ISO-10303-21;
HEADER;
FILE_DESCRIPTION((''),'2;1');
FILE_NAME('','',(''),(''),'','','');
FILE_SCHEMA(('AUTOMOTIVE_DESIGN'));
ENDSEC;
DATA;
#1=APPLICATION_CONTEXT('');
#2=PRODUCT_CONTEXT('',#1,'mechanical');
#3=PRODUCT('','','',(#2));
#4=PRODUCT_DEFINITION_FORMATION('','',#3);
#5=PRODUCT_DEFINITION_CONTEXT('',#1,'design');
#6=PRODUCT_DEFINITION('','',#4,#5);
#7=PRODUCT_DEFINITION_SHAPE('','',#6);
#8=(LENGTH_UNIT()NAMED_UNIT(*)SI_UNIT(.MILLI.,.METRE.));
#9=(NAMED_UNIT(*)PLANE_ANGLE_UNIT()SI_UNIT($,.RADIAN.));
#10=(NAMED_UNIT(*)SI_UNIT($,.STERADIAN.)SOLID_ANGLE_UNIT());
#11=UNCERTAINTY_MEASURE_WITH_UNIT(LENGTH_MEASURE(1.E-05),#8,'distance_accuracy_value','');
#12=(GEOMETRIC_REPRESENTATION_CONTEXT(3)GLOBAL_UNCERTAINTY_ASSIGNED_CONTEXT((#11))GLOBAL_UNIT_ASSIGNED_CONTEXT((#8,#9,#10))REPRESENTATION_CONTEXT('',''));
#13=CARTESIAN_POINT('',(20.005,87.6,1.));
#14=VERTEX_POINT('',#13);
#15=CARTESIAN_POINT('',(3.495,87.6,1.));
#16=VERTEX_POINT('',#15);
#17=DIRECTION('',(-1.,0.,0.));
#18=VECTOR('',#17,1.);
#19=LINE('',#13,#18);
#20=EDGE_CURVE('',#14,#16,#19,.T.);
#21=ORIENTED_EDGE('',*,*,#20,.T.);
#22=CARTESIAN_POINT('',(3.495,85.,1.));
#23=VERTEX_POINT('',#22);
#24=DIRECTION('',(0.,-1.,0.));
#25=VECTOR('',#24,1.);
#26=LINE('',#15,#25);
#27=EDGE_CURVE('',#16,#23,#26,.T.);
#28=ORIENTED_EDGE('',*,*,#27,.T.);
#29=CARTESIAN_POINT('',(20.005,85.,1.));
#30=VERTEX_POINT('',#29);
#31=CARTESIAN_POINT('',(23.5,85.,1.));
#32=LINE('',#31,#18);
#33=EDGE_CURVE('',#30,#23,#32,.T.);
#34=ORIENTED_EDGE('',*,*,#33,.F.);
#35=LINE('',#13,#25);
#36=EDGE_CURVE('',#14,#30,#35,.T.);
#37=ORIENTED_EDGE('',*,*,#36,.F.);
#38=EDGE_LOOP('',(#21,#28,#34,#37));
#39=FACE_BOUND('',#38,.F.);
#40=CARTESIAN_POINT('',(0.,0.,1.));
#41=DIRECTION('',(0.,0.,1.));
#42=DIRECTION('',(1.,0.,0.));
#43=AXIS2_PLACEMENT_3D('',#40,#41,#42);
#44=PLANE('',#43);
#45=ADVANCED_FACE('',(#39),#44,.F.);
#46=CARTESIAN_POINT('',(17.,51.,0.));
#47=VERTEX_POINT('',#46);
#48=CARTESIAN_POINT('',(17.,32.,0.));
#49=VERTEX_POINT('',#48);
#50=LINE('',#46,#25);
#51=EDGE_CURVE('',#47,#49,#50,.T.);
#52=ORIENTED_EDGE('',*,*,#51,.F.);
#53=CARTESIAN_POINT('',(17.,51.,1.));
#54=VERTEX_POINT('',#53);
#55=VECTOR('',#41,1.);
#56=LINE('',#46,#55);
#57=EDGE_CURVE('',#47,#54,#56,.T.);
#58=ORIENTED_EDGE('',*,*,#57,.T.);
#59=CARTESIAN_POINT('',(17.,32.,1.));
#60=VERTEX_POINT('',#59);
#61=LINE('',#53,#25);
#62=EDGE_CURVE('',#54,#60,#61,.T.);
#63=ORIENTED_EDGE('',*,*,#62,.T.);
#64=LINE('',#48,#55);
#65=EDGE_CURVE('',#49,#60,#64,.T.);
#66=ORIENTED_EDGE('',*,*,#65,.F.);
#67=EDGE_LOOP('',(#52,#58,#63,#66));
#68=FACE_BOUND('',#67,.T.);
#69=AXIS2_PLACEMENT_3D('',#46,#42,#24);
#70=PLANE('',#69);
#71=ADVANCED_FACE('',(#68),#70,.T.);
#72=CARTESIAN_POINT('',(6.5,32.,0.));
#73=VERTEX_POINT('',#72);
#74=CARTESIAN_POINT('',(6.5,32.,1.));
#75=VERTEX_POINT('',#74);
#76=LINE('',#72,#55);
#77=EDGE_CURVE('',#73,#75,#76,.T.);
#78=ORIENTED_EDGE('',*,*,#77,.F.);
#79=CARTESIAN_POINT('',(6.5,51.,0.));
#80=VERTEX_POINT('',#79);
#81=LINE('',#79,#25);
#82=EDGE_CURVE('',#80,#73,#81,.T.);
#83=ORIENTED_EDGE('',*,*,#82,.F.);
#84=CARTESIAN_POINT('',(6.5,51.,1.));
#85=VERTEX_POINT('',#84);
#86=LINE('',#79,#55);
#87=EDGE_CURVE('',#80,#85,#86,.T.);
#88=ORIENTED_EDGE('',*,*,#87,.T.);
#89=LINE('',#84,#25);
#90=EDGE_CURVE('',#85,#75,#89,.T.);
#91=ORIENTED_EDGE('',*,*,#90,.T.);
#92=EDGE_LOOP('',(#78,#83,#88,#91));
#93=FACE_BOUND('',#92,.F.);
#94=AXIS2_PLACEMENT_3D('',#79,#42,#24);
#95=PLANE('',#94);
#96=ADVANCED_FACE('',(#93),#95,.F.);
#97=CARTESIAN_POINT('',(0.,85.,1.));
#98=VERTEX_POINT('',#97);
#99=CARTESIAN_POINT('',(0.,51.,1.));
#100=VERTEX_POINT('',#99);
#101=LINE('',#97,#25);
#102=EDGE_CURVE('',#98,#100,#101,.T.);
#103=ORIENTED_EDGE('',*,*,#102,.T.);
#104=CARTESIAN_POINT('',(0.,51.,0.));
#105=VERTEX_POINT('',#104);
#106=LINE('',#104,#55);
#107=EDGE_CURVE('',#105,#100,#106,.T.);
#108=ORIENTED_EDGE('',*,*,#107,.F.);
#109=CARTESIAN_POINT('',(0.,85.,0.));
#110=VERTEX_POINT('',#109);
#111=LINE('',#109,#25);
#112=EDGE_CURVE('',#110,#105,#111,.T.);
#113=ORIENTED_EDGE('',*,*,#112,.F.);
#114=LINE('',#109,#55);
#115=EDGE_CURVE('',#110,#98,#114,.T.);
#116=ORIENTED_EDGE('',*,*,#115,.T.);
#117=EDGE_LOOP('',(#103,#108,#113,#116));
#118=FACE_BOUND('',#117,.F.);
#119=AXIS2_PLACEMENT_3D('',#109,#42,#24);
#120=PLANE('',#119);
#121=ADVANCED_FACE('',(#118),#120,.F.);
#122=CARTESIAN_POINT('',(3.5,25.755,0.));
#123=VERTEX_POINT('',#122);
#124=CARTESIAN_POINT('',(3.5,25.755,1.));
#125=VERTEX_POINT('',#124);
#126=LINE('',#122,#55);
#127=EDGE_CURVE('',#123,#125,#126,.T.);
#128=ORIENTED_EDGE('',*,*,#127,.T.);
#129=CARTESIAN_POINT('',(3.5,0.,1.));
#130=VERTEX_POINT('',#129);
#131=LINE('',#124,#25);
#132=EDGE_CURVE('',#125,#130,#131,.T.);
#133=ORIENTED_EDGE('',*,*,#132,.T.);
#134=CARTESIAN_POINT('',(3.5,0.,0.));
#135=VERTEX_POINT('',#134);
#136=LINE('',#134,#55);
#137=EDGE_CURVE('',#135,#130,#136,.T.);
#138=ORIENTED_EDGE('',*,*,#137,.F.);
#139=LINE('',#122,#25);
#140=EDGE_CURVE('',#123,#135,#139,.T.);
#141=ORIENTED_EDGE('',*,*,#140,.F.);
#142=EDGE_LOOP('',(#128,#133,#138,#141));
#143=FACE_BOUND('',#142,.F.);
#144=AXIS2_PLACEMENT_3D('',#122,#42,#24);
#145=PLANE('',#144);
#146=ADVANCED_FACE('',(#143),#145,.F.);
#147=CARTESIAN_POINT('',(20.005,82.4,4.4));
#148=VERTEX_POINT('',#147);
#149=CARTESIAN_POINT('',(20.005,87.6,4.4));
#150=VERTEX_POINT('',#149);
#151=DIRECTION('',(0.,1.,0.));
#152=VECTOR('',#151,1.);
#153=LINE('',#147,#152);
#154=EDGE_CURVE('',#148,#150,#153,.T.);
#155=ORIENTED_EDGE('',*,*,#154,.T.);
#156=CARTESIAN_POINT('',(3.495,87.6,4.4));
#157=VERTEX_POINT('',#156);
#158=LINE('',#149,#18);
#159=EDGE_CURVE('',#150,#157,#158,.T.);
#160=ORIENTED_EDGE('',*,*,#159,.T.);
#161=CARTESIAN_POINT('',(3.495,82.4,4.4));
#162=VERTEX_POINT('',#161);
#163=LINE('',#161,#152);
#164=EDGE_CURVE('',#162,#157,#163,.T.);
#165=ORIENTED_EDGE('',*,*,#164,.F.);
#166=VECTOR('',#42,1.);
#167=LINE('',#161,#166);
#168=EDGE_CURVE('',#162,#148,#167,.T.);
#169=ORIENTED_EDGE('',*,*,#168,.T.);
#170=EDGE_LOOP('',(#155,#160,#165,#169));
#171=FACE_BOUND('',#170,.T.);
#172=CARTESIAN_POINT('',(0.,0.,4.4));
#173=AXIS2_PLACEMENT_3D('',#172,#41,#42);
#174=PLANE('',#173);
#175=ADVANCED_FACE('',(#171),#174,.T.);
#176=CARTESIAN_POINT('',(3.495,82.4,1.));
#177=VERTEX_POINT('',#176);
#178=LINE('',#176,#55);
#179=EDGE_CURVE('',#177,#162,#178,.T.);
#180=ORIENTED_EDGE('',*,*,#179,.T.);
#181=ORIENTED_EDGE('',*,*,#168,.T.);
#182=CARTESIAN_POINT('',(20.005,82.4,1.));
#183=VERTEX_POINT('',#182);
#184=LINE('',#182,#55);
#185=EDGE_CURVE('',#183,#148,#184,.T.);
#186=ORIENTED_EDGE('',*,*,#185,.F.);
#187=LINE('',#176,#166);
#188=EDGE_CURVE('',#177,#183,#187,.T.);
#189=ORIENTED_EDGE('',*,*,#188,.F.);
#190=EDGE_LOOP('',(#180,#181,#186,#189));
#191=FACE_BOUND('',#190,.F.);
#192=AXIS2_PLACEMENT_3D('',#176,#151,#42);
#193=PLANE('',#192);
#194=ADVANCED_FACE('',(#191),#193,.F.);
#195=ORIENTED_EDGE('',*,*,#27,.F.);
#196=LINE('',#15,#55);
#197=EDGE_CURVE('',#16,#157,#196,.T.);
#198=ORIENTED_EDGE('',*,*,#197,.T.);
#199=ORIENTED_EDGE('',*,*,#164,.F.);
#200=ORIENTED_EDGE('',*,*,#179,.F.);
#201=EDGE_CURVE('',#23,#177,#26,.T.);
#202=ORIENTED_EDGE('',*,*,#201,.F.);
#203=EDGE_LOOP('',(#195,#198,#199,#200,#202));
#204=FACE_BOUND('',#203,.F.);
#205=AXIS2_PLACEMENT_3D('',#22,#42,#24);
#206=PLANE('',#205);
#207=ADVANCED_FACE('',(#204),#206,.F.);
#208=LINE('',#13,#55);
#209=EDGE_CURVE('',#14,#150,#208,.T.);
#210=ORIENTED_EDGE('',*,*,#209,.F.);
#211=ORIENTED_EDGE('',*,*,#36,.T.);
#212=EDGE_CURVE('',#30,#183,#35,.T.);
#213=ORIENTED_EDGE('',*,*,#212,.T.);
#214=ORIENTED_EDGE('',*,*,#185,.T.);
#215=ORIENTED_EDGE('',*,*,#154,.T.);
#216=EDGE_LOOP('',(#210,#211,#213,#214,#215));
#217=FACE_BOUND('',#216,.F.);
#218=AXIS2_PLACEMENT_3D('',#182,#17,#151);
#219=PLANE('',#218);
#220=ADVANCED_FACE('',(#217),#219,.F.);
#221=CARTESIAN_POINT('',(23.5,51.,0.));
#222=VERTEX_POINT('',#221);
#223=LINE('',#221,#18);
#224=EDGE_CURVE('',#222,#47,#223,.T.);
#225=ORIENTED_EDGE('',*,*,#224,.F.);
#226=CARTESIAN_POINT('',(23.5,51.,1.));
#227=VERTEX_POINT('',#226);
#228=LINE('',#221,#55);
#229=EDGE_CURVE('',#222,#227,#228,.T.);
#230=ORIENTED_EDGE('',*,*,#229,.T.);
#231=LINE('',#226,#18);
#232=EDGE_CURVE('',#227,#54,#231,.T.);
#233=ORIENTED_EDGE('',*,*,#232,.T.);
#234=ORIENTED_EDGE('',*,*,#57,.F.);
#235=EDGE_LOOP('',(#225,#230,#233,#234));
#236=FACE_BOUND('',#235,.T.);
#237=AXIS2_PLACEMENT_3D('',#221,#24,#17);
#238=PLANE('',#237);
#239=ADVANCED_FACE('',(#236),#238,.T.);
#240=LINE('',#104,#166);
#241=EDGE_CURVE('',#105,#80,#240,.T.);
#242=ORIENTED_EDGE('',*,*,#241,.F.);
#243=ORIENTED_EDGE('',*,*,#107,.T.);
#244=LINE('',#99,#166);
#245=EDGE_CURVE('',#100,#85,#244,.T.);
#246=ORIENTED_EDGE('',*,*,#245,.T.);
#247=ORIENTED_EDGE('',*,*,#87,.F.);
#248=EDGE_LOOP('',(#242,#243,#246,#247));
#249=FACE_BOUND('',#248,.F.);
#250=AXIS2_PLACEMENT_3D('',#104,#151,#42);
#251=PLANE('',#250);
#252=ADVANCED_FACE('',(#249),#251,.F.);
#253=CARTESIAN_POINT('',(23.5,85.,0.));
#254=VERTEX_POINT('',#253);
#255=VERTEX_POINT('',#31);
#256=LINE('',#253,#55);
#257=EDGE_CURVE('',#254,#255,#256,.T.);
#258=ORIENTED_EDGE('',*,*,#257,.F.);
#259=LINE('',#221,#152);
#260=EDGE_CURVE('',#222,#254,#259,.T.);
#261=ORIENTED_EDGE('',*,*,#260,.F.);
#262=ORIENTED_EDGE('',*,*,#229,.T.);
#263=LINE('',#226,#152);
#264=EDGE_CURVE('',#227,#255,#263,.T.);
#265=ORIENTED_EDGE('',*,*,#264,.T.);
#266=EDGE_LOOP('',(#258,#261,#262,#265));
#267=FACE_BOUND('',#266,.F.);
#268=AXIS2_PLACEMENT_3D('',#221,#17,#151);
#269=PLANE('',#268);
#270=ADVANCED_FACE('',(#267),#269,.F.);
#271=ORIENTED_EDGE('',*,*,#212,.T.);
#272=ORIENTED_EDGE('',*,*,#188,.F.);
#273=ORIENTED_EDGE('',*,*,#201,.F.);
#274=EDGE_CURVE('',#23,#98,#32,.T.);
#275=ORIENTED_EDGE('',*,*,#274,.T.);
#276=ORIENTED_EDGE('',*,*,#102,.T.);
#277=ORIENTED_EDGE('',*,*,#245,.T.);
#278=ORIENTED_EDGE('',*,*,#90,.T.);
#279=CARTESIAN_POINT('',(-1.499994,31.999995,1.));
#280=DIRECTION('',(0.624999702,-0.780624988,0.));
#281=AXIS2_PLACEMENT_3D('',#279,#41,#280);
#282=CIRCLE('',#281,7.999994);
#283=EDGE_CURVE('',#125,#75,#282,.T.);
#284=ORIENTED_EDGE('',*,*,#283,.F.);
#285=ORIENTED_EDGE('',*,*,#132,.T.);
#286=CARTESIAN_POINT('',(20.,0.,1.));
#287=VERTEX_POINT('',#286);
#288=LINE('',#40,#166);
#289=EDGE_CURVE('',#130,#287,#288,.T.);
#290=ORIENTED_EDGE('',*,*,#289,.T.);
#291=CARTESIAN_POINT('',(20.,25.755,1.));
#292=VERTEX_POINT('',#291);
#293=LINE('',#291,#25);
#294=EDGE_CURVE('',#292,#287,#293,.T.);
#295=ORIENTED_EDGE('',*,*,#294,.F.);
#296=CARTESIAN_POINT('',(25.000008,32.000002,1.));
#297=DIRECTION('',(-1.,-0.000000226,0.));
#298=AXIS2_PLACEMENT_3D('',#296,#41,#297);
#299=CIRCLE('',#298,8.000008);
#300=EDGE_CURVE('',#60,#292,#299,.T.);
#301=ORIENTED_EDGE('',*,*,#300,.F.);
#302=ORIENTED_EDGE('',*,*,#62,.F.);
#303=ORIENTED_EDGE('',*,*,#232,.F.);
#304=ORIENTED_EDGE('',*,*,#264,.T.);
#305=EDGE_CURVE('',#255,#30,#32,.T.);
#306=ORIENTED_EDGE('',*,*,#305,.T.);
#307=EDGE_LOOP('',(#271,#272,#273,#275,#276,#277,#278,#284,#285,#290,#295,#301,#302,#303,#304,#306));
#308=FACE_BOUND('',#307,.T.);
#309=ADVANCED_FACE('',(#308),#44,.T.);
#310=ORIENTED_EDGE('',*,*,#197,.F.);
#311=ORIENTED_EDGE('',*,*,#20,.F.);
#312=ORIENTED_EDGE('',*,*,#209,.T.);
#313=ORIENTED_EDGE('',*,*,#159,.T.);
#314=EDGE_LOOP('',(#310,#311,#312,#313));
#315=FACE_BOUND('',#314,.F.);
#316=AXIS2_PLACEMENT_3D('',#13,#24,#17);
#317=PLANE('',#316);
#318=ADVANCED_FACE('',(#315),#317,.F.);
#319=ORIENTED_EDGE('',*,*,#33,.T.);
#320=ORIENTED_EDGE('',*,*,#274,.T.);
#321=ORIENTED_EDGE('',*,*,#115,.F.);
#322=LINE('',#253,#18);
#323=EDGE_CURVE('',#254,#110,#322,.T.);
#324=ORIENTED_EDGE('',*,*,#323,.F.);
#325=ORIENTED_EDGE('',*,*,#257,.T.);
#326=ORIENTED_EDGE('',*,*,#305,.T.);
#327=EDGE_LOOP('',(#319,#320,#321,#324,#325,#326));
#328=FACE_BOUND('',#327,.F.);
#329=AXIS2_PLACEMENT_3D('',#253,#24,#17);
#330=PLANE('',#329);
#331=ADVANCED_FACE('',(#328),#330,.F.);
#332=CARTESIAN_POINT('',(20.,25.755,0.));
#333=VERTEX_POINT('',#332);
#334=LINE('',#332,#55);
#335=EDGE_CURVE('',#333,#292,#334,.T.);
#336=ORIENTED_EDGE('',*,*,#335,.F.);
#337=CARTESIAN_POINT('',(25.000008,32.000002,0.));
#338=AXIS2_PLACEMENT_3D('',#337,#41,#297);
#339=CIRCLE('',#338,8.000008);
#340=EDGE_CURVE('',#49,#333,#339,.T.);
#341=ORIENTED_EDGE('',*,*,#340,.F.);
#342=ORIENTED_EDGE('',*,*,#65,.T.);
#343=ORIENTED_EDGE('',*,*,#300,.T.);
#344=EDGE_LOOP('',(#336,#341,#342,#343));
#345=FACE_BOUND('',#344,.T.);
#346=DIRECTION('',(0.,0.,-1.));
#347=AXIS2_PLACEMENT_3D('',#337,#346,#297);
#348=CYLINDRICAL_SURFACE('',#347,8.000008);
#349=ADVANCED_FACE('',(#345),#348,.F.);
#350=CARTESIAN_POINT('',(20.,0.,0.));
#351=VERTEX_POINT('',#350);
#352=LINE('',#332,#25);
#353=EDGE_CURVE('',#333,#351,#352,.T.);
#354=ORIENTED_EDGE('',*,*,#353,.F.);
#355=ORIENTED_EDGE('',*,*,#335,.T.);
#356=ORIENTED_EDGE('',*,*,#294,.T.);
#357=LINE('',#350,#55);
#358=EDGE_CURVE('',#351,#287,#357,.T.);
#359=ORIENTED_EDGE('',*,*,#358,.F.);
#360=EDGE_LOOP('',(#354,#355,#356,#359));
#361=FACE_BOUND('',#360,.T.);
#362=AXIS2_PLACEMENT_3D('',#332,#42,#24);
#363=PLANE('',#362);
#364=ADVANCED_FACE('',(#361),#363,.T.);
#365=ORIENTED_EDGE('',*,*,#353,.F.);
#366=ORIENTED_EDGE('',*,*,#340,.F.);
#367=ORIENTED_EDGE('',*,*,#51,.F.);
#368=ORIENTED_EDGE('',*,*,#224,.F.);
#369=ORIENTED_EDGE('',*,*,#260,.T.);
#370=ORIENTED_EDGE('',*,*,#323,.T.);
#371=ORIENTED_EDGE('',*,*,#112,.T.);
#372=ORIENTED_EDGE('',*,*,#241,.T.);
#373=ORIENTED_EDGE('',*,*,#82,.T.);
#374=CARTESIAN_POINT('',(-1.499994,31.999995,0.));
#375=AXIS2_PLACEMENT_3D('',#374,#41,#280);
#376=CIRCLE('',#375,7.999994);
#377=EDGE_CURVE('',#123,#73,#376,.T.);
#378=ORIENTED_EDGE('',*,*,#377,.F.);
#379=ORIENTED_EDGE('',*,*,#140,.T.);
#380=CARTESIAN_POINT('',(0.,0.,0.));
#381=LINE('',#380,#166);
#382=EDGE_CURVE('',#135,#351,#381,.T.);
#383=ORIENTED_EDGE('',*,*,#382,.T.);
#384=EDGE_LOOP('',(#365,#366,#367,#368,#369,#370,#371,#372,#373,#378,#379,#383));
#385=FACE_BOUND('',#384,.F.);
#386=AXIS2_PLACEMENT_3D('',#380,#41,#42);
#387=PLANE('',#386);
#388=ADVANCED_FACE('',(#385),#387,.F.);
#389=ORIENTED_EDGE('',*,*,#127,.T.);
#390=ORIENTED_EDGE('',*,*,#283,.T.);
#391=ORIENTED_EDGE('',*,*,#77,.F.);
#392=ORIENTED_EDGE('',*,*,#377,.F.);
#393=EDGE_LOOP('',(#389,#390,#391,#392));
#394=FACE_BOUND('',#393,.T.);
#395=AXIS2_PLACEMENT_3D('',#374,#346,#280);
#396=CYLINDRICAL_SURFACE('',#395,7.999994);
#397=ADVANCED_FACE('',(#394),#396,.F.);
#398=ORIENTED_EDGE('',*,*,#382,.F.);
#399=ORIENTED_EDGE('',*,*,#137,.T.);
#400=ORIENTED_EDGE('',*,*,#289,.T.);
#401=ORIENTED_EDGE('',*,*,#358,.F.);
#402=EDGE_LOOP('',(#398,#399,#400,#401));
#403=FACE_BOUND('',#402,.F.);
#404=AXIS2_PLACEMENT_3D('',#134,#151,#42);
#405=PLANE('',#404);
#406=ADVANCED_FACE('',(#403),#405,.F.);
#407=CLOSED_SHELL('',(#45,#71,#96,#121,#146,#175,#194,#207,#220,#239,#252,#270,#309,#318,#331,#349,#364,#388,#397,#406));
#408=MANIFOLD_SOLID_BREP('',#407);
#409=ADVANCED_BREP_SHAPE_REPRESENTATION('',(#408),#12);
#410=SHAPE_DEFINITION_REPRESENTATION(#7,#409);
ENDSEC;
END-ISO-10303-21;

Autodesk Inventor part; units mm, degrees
ref_plane "YZ Plane" through (0, 0, 0) normal (1, 0, 0) x (0, 1, 0)
ref_plane "XZ Plane" through (0, 0, 0) normal (0, 1, 0) x (-1, 0, 0)
ref_plane "XY Plane" through (0, 0, 0) normal (0, 0, 1) x (1, 0, 0)
sketch "Sketch1" plane through (0, 0, 0) normal (0, 0, 1) x (1, 0, 0)
  line L0 (0, 0) -> (23.5, 0)
  line L1 (23.5, 0) -> (23.5, 24.1419)
  line L2 (23.5, 85) -> (0, 85)
  line L3 (0, 85) -> (0, 51)
  line L4 (-1.5, 51) -> (0, 51)
  line L5 (6.5, 51) -> (6.5, 32)
  line L6 (-1.5, 24) -> (-1.5, 24)
  line L7 (-1.5, 24) -> (-1.5, 51)
  arc A0 (-1.5, 24) -> (0, 24.1419) centre (-1.5, 32) ccw
  line L8 (11.75, 79.5403) -> (11.75, 67.8807)
  line L9 (25, 51) -> (23.5, 51)
  line L10 (17, 51) -> (17, 32)
  line L11 (25, 24) -> (25, 24)
  line L12 (25, 24) -> (25, 51)
  arc A1 (17, 32) -> (20, 25.755) centre (25, 32) ccw
  line L13 (0, 51) -> (6.5, 51)
  line L14 (0, 51) -> (0, 24.1419)
  line L15 (0, 24.1419) -> (0, 0)
  arc A2 (0, 24.1419) -> (3.5, 25.755) centre (-1.5, 32) ccw
  line L16 (23.5, 24.1419) -> (23.5, 51)
  arc A3 (23.5, 24.1419) -> (25, 24) centre (25, 32) ccw
  line L17 (23.5, 51) -> (23.5, 85)
  line L18 (23.5, 51) -> (17, 51)
  line L19 (3.5, 25.755) -> (3.5, 0)
  arc A4 (3.5, 25.755) -> (6.5, 32) centre (-1.5, 32) ccw
  line L20 (20, 25.755) -> (20, 0)
  arc A5 (20, 25.755) -> (23.5, 24.1419) centre (25, 32) ccw
  dimension "d0" = 23.5
  dimension "d1" = 85
  dimension "d8" = 8
  dimension "d9" = 6.5
  dimension "d10" = 19
  dimension "d11" = 32
  dimension "d12" = 3.5
extrude "Extrusion1" add sketch "Sketch1" along normal blind 1 contours L19 A4 L5 L13 L3 L2 L17 L18 L10 A1 L20 L0
sketch "Sketch2" plane through (0, 0, 1) normal (0, 0, 1) x (1, 0, 0)
  line L0 (3.495, 82.4) -> (20.005, 82.4)
  line L1 (20.005, 82.4) -> (20.005, 87.6)
  line L2 (20.005, 87.6) -> (3.495, 87.6)
  line L3 (3.495, 87.6) -> (3.495, 82.4)
  line L4 (11.75, 82.8889) -> (11.75, 86.7771)
  line L5 (23.5, 85) -> (0, 85) projected
  line L6 (0, 85) -> (0, 89.9158)
  line L7 (23.5, 85) -> (23.5, 89.26)
  point P0 (0, 0)
  dimension "d4" = 2.6
  dimension "d5" = 16.51
extrude "Extrusion2" add sketch "Sketch2" along normal blind 3.4
properties part number "Circuit_center"
